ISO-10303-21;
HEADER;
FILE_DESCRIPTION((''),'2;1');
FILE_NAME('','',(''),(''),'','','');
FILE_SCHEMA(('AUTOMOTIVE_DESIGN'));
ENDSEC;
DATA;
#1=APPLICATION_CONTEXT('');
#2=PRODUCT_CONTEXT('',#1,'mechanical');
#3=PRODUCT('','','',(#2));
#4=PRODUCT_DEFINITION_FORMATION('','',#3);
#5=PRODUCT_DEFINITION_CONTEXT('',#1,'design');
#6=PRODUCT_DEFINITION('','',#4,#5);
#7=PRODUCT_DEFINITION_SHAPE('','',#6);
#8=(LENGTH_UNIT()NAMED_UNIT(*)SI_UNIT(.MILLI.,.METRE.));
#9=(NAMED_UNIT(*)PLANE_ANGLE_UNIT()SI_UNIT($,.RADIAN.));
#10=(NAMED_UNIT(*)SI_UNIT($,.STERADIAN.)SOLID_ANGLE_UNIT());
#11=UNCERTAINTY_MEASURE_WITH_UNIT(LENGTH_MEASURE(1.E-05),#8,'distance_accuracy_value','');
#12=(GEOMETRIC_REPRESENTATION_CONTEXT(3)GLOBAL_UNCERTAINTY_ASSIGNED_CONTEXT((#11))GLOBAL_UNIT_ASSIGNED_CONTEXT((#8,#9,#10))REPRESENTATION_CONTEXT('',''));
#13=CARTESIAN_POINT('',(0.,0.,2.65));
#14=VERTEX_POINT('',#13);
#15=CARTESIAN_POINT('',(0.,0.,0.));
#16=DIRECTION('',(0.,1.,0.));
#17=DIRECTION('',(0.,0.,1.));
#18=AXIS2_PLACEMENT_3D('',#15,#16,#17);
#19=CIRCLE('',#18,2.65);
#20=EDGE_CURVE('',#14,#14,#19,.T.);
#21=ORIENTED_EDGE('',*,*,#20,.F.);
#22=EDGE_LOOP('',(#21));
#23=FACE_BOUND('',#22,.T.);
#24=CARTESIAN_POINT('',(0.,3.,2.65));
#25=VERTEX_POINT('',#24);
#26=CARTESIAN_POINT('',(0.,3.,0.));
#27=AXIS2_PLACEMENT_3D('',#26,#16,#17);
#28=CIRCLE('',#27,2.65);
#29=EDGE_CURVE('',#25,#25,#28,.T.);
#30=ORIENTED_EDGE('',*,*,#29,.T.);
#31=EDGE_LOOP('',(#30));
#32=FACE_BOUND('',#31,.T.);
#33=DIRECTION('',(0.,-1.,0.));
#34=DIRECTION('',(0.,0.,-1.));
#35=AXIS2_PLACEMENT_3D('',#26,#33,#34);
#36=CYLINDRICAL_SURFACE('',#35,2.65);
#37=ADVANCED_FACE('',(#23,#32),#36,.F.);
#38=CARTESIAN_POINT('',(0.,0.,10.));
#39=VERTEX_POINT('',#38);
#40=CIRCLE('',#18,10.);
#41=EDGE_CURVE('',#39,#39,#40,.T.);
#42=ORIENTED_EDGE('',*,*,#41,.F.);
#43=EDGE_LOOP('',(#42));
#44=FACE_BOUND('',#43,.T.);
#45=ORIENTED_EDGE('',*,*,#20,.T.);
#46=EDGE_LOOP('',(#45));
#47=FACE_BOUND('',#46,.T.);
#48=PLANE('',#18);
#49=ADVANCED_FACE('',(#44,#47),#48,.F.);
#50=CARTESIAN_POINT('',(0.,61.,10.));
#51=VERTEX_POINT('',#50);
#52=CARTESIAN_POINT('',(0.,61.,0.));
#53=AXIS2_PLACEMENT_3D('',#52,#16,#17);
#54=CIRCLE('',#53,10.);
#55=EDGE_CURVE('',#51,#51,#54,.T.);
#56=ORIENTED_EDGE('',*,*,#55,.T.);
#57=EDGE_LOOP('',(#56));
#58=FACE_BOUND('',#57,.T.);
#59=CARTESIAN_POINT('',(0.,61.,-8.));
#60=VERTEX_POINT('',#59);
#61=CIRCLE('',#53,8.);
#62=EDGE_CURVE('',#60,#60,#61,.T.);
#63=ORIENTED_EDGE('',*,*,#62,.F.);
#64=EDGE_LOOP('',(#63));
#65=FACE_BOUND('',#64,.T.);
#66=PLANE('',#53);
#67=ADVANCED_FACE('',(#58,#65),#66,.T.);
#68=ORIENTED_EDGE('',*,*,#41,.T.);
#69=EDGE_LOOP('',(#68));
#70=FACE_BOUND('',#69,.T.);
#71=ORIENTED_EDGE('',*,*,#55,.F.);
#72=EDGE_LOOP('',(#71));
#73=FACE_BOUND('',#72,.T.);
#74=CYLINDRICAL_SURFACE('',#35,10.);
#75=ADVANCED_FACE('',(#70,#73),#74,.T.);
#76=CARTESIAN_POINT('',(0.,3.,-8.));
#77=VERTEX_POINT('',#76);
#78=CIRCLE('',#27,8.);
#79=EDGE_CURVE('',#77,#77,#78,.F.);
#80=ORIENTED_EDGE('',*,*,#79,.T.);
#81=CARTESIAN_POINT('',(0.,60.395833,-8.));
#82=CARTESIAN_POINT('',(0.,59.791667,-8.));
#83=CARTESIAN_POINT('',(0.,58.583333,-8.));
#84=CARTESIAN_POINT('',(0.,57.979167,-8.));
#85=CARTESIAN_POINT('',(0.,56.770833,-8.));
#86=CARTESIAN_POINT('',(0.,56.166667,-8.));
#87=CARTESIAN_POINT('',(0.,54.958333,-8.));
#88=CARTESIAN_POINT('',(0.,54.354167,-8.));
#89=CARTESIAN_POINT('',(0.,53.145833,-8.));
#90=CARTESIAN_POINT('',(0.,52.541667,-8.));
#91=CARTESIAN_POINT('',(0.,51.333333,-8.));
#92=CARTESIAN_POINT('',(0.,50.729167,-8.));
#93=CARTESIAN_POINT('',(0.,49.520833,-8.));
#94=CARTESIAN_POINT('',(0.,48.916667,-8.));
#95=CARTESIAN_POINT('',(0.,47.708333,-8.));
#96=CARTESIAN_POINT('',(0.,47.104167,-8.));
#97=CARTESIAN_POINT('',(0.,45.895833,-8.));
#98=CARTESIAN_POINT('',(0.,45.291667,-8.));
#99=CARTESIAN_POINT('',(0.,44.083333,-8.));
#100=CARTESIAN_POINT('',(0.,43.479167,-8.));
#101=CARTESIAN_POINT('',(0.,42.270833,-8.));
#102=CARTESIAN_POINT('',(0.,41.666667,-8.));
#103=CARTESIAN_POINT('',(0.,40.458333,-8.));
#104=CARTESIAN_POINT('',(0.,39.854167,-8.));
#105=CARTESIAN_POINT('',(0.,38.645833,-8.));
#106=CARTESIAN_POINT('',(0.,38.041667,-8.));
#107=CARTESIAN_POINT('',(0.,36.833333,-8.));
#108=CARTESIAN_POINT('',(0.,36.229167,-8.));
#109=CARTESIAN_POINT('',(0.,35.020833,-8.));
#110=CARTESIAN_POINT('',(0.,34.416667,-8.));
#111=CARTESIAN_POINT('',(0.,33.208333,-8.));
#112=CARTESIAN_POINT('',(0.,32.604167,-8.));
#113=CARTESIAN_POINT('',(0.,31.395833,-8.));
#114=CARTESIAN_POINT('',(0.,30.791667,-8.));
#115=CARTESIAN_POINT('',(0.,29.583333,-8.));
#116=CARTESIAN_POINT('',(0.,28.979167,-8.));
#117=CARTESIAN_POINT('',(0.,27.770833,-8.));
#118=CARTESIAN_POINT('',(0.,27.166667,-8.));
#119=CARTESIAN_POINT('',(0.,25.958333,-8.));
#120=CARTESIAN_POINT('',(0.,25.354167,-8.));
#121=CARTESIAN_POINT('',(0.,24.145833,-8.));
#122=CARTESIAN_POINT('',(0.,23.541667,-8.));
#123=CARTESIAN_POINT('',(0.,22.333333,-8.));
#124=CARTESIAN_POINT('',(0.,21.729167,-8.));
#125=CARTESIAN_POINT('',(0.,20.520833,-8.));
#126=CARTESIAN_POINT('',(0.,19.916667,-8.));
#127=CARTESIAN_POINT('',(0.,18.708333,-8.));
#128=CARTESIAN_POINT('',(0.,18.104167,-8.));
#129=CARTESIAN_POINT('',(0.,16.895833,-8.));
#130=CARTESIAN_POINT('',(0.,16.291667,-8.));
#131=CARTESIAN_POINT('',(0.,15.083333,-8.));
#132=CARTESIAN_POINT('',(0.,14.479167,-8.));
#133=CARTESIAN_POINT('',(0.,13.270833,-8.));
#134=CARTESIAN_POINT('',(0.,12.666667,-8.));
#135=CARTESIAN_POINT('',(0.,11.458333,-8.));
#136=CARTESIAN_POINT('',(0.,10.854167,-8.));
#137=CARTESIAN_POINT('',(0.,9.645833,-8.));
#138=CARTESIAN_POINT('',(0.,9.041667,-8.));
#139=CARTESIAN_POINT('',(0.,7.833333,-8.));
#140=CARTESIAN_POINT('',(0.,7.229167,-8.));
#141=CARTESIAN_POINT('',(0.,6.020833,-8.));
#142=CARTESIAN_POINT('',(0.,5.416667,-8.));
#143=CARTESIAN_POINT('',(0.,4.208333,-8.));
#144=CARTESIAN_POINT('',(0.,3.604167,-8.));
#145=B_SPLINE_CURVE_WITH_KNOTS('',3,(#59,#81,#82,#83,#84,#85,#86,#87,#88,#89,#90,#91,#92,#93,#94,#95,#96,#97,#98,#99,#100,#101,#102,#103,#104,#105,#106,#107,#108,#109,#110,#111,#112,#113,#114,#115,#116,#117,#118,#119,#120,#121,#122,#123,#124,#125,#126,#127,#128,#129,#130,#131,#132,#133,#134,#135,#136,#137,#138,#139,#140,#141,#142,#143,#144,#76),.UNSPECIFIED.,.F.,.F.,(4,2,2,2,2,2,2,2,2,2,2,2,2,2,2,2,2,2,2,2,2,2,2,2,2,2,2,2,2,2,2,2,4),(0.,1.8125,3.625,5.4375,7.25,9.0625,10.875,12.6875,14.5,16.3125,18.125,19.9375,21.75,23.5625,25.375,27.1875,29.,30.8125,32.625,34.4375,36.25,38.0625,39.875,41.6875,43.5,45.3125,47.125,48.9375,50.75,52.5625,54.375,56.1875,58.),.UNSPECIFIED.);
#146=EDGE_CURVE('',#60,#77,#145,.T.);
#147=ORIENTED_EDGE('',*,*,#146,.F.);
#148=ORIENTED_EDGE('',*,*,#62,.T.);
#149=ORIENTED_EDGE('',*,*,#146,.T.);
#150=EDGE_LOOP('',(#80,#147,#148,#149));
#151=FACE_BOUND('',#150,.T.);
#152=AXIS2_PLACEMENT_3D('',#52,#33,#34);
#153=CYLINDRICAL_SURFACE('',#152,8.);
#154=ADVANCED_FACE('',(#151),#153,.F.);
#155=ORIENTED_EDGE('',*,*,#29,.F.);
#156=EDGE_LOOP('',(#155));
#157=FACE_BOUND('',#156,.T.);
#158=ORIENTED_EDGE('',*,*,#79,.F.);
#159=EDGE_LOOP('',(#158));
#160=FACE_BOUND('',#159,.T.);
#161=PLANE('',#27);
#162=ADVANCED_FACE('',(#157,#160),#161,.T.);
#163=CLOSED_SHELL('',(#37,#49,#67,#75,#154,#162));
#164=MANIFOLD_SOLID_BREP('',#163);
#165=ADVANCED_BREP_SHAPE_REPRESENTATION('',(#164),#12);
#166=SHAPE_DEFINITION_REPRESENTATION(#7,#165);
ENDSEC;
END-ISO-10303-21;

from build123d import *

# Parameters (mm, degrees)
SKETCH1_R           = 10
SKETCH1_R_2         = 2.65
BOSS_EXTRUDE1_DEPTH = 3
SKETCH2_R           = 10
SKETCH2_R_2         = 8
BOSS_EXTRUDE2_DEPTH = 58


with BuildPart() as part:
    # Sketch1 → Boss-Extrude1 (new body)
    with BuildSketch(Plane(origin=(0, 0, 0), x_dir=(1, 0, 0), z_dir=(0, 1, 0))):
        with Locations(Location((0, 0, 0), (0, 0, 270))):
            Circle(SKETCH1_R)
        with Locations(Location((0, 0, 0), (0, 0, 270))):
            Circle(SKETCH1_R_2, mode=Mode.SUBTRACT)
    extrude(amount=BOSS_EXTRUDE1_DEPTH)

    # Sketch2 → Boss-Extrude2 (add)
    with BuildSketch(Plane(origin=(0, 3, 0), x_dir=(1, 0, 0), z_dir=(0, 1, 0))):
        with Locations(Location((0, 0, 0), (0, 0, 270))):
            Circle(SKETCH2_R)
        with Locations(Location((0, 0, 0), (0, 0, 90))):
            Circle(SKETCH2_R_2, mode=Mode.SUBTRACT)
    extrude(amount=BOSS_EXTRUDE2_DEPTH)


solid = part.part
